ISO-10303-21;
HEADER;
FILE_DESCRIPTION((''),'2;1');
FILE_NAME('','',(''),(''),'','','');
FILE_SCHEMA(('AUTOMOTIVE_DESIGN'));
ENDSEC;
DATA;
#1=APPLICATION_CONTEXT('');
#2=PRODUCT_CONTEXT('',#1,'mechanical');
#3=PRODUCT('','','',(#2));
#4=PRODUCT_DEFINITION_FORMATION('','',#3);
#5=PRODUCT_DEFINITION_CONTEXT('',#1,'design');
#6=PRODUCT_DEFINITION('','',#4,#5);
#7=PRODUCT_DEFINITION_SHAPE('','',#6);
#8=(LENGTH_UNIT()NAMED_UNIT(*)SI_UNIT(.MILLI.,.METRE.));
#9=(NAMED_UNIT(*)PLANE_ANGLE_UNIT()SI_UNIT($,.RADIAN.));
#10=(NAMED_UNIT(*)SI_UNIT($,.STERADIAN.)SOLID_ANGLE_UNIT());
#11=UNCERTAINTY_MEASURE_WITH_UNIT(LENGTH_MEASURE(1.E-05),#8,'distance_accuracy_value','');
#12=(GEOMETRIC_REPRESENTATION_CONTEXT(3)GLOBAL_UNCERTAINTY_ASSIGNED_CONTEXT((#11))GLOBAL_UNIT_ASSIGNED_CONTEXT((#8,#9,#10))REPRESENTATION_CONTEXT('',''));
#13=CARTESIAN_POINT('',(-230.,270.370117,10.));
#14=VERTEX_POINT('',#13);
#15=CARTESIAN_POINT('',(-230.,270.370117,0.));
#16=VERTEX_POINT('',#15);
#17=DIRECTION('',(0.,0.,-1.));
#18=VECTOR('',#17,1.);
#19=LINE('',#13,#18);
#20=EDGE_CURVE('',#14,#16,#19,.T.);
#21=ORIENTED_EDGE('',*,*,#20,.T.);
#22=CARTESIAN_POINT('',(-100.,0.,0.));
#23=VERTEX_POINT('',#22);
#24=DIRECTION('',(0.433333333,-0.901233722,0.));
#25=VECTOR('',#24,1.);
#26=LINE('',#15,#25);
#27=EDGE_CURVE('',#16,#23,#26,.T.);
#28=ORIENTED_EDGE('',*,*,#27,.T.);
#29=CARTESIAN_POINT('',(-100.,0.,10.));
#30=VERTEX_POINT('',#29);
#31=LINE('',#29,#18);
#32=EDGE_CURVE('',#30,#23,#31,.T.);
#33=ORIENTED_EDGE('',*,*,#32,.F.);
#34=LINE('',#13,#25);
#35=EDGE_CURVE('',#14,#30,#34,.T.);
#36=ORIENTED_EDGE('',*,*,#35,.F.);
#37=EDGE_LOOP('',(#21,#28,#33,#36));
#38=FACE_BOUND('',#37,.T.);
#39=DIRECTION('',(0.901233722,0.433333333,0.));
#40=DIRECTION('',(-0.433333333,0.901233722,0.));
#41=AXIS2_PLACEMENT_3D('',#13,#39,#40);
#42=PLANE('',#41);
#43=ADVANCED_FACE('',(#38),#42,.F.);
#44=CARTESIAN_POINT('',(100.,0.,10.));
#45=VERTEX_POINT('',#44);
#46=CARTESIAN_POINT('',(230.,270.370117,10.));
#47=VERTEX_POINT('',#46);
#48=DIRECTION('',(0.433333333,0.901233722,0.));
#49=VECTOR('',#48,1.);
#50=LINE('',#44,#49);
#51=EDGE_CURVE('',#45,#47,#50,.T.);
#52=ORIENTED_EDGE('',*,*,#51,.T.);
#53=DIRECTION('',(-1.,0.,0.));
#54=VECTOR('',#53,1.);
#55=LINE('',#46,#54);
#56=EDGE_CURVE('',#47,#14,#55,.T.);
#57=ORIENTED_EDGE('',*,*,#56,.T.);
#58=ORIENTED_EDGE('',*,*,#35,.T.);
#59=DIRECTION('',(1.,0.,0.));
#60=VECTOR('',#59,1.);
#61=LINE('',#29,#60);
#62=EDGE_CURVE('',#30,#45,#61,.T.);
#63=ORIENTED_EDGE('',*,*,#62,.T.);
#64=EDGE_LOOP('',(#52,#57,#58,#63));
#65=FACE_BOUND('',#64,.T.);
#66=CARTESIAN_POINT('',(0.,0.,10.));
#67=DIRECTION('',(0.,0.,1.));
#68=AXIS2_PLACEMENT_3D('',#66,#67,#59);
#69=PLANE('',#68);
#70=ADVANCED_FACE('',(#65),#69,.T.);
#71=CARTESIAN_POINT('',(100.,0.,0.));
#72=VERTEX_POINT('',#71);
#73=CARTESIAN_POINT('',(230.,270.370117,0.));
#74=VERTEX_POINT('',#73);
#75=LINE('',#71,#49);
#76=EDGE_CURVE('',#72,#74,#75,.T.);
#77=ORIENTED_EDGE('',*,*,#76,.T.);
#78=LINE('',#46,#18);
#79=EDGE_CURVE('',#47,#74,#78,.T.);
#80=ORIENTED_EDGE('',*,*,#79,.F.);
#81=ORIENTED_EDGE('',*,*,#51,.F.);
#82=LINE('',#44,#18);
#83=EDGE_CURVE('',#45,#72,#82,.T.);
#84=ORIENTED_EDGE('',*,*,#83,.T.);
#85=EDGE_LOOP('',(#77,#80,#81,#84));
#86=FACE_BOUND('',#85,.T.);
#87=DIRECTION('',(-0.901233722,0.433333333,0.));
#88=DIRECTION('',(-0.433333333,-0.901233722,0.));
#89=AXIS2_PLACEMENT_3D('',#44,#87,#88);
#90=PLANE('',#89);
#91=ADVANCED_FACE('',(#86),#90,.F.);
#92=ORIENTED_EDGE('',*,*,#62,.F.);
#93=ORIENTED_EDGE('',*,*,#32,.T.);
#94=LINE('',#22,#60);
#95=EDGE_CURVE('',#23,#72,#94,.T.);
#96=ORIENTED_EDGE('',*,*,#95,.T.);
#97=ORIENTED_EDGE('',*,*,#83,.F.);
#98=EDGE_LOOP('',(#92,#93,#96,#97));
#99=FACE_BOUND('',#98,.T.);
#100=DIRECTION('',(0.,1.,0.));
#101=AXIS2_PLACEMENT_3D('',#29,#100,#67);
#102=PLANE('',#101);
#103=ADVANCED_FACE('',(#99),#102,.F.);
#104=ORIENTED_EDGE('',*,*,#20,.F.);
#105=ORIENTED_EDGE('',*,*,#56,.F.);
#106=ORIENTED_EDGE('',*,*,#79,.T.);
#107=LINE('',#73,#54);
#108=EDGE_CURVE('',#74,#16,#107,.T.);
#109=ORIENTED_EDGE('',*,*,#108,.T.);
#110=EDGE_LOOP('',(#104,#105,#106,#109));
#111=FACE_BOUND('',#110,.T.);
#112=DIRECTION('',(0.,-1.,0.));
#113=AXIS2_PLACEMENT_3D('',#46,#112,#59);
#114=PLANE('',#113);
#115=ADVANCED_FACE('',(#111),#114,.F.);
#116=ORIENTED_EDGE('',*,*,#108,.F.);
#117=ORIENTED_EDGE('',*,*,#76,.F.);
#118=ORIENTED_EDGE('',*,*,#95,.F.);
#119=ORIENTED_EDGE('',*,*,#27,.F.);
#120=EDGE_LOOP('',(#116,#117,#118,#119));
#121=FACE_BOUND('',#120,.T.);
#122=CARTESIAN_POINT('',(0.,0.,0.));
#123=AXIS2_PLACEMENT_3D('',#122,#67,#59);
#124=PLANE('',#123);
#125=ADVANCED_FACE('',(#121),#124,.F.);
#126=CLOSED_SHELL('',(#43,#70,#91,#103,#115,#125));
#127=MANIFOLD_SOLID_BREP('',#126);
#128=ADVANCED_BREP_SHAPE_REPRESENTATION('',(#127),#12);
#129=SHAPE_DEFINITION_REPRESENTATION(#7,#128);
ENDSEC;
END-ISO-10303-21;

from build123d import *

# Parameters (mm, degrees)
BOSS_EXTRUDE1_DEPTH = 10


with BuildPart() as part:
    # Sketch1 → Boss-Extrude1 (new body)
    with BuildSketch(Plane.XY):
        Polygon((-100, 0), (100, 0), (230, 270.370116692), (-230, 270.370116692), align=None)
    extrude(amount=BOSS_EXTRUDE1_DEPTH)


solid = part.part
